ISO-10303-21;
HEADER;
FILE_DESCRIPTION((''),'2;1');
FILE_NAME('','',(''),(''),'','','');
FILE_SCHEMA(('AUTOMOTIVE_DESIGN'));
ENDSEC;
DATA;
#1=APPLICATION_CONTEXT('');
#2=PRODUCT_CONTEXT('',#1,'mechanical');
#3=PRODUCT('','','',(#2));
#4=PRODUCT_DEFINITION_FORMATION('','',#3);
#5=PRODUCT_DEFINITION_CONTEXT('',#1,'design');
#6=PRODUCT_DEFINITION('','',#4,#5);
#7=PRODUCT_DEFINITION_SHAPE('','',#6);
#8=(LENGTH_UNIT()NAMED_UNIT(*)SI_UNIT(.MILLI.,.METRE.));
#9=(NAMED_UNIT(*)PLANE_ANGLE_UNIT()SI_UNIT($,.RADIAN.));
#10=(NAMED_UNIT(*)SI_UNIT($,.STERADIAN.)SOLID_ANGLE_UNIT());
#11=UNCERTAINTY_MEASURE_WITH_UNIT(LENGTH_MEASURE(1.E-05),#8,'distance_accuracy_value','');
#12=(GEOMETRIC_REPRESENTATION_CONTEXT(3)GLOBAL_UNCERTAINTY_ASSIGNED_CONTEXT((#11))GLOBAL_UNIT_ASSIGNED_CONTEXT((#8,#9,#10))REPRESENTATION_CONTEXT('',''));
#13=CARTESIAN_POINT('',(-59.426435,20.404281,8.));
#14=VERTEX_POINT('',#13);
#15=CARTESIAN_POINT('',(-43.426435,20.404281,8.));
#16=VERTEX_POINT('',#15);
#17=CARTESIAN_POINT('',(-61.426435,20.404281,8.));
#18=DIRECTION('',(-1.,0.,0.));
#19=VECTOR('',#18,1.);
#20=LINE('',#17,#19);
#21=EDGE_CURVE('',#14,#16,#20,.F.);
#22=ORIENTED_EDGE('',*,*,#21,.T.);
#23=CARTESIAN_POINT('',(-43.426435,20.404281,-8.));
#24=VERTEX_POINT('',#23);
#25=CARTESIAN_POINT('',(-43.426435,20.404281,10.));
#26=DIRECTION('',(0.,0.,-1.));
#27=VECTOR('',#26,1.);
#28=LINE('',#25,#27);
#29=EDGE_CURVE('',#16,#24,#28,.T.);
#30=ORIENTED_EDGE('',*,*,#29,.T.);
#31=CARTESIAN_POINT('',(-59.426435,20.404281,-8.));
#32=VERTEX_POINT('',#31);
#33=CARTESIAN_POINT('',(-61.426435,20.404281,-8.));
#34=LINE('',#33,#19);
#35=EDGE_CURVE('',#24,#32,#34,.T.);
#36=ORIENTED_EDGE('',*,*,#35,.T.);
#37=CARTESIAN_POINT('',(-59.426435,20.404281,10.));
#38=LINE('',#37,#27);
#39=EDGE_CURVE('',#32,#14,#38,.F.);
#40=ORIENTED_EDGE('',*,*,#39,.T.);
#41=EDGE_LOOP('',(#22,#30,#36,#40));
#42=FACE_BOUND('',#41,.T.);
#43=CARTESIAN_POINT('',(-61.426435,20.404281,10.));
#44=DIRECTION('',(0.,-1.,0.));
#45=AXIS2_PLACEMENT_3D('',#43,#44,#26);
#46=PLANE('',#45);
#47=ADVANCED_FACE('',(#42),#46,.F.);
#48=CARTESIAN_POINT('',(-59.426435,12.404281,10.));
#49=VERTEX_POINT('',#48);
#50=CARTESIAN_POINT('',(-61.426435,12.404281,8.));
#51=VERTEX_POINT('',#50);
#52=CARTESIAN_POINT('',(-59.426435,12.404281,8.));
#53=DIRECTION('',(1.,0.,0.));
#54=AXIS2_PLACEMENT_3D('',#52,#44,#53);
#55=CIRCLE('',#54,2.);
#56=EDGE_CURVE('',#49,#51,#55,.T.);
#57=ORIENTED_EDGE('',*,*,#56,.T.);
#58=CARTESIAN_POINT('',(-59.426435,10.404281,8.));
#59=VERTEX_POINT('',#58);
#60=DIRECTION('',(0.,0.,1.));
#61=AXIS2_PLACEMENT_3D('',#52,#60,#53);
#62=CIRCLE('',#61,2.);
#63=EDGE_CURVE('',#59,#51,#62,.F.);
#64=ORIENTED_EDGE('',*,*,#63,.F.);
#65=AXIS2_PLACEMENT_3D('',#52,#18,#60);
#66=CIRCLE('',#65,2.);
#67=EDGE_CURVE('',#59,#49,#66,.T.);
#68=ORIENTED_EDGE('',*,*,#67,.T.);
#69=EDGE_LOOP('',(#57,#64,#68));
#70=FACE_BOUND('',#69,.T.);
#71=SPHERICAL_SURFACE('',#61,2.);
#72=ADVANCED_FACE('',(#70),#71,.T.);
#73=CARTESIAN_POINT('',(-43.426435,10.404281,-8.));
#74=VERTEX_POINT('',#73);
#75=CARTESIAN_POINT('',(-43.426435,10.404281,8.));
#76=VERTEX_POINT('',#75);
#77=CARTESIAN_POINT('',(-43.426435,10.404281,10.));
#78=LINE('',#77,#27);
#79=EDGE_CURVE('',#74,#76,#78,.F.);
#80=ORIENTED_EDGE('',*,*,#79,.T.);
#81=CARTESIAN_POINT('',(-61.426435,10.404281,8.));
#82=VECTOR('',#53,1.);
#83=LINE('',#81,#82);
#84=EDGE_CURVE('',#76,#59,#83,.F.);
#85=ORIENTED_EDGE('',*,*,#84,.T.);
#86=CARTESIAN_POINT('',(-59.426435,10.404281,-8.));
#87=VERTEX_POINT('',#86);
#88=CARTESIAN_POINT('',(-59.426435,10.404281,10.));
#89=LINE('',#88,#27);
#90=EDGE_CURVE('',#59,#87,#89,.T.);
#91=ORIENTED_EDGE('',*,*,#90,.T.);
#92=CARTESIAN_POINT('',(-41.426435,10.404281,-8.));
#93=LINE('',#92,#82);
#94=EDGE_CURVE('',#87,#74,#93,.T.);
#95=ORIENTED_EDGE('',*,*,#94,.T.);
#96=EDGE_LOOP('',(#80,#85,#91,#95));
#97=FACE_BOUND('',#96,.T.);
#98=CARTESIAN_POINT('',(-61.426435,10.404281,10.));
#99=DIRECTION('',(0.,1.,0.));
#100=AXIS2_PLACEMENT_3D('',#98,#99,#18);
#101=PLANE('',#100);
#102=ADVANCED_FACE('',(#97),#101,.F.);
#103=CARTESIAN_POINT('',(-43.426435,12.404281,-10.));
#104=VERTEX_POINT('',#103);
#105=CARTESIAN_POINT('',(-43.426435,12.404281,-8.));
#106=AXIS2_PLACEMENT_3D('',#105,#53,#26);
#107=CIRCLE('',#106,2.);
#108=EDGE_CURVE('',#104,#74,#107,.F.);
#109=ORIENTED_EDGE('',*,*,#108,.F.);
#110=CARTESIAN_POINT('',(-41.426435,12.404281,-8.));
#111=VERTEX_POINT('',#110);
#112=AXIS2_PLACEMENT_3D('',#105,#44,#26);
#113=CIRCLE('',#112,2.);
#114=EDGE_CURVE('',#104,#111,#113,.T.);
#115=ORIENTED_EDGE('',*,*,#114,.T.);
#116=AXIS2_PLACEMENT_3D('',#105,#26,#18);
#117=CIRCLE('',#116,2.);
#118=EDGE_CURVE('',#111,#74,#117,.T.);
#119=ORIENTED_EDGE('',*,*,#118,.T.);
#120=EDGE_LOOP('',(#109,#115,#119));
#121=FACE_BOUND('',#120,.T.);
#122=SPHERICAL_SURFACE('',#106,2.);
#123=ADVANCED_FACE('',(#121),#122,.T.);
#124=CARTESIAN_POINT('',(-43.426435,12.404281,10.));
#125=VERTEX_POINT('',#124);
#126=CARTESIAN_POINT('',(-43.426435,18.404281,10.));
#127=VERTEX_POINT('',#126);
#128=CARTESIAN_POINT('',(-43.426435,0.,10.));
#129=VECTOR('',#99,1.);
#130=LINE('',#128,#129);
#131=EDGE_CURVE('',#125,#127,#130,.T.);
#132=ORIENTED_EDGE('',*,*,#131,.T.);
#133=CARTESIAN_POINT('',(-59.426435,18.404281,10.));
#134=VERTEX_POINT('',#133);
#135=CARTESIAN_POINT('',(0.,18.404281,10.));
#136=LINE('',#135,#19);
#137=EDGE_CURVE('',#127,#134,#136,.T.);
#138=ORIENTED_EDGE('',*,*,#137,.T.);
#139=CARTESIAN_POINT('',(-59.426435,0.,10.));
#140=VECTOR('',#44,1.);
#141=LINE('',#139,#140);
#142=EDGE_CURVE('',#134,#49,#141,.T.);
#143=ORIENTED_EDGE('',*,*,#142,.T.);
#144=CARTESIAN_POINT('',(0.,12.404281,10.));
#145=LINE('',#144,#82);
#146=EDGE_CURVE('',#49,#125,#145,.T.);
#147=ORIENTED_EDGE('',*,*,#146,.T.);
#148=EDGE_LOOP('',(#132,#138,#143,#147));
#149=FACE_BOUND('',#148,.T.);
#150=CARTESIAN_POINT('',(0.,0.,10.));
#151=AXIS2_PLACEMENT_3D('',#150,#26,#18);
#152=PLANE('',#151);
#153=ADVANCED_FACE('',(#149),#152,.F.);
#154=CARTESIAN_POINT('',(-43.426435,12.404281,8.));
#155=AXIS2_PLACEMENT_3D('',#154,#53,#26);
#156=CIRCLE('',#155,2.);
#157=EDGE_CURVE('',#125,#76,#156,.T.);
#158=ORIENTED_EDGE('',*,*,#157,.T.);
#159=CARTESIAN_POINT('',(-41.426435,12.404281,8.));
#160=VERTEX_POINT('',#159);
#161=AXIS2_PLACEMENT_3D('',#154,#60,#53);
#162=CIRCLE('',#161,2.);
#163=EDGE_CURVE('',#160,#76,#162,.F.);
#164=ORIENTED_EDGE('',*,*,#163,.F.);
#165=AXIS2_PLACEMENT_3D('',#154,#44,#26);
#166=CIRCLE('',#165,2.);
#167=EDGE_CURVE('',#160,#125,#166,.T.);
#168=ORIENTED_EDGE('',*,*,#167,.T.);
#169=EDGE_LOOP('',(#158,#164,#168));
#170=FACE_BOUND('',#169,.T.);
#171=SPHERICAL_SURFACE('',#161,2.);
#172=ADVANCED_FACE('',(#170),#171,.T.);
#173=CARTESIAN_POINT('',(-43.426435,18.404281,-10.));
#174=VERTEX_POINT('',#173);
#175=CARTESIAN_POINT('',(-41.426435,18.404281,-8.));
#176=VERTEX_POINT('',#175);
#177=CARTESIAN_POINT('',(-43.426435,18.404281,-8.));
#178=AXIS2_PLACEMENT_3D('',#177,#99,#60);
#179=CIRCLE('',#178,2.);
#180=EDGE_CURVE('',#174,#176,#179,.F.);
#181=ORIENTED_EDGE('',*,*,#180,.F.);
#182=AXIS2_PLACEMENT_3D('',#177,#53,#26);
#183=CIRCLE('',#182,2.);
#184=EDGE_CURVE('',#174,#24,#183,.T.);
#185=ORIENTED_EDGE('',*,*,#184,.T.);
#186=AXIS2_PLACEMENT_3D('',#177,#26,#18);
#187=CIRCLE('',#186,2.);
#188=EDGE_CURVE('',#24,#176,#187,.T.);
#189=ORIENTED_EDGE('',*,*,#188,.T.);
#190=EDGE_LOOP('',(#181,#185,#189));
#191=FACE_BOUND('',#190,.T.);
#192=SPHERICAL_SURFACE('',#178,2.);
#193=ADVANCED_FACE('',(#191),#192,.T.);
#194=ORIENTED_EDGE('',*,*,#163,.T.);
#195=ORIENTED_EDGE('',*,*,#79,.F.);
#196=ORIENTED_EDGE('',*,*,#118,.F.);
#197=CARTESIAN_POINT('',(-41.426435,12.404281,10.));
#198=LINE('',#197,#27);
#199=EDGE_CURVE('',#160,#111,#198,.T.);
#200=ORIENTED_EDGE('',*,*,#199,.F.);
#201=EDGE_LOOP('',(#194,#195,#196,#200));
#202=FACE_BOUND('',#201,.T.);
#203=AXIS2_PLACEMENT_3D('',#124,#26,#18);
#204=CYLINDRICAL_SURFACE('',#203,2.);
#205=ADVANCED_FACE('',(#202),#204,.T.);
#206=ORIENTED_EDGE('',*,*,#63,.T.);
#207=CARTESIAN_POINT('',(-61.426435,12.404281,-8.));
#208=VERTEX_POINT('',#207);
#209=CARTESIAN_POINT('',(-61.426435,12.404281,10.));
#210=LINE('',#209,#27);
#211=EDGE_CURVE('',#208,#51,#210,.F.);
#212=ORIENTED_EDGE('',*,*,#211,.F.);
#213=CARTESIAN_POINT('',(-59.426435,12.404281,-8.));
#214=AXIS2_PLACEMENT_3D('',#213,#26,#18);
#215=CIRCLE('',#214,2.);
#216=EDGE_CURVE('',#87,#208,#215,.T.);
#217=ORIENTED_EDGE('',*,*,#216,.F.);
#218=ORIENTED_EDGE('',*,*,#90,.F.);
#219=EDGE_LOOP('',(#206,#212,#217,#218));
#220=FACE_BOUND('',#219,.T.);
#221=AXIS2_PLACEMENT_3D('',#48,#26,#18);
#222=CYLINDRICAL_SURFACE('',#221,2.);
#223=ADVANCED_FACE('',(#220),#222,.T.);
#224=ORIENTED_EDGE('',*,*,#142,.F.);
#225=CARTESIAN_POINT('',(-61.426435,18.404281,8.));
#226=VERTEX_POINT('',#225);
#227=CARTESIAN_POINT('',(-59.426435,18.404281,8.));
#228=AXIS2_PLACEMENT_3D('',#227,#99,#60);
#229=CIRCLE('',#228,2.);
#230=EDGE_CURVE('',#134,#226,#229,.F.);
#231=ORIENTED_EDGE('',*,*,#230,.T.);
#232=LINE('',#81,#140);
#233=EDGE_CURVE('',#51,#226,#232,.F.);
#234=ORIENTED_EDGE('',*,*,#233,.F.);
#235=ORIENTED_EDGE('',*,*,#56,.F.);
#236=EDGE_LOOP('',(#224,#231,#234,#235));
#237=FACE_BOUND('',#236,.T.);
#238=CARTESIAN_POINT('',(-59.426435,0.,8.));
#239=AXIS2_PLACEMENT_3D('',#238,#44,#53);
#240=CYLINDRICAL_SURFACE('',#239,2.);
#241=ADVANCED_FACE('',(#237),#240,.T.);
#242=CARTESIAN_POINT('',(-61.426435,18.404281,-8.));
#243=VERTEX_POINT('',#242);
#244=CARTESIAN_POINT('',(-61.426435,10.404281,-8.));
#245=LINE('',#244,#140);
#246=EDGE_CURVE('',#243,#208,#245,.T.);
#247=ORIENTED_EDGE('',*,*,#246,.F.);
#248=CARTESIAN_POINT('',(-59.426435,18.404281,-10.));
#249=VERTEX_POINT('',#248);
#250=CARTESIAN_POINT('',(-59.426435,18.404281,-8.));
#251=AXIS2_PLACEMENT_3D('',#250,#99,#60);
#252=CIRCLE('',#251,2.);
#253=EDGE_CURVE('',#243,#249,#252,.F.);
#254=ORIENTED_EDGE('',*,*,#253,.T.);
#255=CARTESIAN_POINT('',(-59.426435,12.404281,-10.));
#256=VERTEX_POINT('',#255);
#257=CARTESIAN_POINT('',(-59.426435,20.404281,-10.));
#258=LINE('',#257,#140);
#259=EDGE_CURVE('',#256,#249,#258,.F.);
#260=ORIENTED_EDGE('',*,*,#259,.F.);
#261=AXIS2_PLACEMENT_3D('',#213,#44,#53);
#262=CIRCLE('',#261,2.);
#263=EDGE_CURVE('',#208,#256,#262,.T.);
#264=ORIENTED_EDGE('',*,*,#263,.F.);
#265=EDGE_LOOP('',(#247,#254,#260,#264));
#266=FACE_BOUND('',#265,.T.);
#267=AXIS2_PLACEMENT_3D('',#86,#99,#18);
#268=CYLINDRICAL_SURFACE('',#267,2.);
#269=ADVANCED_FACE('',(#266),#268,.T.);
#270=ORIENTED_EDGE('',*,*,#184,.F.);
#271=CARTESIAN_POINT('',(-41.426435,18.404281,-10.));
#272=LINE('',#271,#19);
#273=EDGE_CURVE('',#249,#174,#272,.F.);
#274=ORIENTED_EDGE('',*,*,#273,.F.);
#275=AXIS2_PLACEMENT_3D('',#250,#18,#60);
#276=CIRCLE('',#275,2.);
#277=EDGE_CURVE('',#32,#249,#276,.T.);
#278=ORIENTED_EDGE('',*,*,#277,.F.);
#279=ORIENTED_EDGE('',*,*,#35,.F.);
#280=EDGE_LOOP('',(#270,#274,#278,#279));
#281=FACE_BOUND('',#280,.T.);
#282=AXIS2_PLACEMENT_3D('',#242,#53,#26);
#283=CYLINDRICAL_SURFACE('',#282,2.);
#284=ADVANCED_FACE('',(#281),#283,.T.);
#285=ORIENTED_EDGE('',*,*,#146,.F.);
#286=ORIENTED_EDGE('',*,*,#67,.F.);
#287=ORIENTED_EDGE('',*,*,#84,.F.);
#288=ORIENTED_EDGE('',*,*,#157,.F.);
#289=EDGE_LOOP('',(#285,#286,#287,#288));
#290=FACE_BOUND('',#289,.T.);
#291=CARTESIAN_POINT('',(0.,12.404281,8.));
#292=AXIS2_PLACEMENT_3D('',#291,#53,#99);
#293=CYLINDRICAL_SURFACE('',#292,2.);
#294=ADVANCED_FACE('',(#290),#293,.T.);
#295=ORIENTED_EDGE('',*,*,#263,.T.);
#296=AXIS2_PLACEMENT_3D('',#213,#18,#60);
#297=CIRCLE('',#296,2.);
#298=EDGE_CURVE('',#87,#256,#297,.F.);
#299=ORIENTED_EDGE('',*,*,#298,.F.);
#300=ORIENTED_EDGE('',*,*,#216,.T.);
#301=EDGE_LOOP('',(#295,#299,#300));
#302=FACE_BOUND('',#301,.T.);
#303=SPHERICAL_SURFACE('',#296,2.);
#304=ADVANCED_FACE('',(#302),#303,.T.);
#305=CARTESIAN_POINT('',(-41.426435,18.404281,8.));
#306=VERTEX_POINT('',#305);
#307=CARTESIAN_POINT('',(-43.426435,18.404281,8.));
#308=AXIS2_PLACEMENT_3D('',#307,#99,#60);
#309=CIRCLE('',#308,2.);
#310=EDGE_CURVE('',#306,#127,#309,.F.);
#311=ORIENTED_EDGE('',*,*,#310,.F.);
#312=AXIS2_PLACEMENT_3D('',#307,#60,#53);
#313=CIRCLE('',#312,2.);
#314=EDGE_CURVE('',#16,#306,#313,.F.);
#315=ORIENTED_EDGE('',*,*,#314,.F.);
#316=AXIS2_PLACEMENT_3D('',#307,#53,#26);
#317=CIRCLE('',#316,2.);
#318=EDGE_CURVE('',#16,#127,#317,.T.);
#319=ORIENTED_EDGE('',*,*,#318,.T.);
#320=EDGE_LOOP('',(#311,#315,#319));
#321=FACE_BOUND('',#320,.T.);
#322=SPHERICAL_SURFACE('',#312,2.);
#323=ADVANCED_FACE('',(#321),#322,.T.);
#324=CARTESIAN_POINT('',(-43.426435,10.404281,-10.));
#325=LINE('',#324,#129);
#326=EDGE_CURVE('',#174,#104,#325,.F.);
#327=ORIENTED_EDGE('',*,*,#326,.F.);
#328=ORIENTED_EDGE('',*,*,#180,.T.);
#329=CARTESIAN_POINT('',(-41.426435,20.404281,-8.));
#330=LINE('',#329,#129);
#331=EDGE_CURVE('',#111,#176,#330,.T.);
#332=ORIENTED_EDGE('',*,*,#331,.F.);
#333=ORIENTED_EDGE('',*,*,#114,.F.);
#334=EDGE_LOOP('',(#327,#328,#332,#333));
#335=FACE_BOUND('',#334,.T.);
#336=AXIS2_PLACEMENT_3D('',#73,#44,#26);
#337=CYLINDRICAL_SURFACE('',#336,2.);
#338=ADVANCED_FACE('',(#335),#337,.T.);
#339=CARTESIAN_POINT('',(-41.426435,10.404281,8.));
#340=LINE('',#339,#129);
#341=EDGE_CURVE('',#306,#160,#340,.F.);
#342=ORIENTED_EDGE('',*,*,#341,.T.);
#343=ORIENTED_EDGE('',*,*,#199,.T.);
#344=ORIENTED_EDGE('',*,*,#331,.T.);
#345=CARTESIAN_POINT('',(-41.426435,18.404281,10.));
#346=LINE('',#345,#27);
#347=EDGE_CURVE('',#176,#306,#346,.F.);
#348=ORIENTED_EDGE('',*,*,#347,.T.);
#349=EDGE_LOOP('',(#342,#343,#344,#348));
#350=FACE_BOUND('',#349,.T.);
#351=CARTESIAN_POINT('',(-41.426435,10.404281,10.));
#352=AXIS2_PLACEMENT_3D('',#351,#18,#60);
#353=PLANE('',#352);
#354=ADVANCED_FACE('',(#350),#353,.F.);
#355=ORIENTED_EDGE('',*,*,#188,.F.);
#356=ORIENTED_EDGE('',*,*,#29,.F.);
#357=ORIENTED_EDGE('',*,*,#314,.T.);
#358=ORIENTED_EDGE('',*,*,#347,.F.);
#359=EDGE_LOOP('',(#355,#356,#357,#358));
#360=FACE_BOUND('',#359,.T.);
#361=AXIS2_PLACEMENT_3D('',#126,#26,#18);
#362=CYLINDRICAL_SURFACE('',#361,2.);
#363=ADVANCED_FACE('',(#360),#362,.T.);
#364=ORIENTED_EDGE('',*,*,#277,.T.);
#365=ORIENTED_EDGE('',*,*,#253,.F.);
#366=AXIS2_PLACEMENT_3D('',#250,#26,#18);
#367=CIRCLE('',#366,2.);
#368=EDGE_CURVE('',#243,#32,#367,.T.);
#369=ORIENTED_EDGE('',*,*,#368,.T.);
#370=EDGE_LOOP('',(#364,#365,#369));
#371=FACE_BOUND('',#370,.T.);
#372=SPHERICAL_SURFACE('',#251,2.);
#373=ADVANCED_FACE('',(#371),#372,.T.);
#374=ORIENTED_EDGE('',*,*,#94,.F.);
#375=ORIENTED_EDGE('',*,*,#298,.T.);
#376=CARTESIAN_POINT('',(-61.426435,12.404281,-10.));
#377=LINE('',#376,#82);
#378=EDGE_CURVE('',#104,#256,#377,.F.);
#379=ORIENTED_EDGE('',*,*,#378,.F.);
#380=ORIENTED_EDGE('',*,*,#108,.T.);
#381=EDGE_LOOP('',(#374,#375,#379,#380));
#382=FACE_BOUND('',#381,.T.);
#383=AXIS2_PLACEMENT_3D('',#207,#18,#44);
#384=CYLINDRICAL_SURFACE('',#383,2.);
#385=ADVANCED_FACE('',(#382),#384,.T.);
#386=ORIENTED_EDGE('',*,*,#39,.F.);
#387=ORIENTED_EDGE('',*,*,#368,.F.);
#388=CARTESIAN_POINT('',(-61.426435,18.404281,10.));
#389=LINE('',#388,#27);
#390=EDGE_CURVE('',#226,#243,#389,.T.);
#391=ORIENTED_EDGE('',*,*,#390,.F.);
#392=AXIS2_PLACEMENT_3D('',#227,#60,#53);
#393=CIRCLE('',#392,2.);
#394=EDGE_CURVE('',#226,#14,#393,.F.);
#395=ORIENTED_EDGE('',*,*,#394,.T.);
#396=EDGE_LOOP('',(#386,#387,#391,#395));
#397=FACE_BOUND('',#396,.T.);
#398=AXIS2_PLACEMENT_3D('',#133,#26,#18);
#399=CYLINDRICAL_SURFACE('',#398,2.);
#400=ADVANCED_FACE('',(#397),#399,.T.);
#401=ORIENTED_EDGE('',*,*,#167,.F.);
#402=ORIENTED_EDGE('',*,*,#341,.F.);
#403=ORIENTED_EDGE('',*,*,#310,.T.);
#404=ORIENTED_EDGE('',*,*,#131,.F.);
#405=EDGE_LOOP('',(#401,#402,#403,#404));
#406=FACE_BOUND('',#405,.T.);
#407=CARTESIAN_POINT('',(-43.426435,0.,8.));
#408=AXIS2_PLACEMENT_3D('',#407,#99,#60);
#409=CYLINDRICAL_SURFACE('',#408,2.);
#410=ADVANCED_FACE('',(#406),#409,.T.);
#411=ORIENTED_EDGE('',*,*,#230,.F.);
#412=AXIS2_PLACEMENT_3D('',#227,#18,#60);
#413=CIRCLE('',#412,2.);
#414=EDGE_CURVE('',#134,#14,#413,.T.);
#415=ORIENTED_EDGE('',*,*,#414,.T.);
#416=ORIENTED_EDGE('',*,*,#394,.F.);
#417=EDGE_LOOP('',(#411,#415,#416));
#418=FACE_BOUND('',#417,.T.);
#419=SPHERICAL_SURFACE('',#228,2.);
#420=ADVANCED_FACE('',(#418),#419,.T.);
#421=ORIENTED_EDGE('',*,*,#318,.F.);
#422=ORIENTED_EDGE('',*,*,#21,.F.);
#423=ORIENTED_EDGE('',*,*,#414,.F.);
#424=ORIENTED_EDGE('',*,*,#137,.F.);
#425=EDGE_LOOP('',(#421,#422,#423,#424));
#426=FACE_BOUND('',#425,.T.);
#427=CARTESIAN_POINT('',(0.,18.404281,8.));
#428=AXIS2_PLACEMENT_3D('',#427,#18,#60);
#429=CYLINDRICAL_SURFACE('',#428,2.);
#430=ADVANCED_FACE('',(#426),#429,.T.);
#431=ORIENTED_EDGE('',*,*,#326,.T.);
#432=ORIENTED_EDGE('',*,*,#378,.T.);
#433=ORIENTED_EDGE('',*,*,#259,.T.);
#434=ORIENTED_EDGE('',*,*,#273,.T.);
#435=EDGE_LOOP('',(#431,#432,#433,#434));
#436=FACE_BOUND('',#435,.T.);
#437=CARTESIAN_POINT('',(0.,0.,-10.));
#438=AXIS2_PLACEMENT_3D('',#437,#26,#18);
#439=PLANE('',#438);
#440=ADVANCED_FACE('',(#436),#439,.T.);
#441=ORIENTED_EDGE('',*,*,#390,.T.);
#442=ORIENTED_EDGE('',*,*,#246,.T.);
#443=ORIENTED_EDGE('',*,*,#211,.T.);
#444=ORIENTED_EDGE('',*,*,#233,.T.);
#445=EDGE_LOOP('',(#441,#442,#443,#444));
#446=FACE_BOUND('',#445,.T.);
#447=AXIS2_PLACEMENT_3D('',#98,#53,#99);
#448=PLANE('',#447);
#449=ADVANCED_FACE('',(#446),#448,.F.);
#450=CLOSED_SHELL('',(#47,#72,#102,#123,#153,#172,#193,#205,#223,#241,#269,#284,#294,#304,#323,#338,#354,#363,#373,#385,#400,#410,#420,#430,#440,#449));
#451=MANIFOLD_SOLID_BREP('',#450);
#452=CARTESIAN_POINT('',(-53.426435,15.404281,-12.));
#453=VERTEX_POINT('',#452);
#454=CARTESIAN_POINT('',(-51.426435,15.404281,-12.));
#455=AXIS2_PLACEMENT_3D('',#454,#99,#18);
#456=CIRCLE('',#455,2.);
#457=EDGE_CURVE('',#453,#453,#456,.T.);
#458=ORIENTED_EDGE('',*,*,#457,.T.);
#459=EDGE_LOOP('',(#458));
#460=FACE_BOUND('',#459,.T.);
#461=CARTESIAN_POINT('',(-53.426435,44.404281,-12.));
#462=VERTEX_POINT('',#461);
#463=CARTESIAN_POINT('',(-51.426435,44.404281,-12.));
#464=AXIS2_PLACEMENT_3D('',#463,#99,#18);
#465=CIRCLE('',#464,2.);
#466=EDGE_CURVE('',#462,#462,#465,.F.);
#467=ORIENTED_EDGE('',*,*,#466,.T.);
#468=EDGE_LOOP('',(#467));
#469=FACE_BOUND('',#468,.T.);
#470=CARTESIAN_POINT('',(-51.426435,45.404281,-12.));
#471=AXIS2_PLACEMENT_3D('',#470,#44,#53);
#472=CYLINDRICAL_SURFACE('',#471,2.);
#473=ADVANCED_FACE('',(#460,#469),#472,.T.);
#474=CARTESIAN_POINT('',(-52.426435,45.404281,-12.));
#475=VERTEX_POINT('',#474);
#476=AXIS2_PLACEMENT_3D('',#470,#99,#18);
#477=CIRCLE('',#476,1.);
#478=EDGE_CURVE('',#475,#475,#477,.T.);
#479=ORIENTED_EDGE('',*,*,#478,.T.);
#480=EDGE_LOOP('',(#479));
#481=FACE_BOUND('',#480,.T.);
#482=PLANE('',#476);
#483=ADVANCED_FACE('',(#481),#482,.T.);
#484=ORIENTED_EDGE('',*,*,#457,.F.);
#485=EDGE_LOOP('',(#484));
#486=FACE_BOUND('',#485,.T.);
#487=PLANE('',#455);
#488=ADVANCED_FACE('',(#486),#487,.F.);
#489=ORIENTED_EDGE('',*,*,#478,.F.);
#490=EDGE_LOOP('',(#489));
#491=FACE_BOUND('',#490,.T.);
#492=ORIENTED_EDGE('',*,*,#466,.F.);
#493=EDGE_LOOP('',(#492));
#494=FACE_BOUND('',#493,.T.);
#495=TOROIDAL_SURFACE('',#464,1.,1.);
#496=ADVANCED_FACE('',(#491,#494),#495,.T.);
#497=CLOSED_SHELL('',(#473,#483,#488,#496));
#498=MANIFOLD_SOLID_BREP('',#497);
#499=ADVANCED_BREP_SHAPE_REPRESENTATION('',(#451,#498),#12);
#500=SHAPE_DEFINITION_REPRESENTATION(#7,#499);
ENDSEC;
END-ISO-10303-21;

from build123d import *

# Parameters (mm, degrees)
SKETCH2_W           = 20
SKETCH2_H           = 10
BOSS_EXTRUDE1_DEPTH = 10
FILLET1_R           = 2
BOSS_EXTRUDE2_START = 10
SKETCH4_R           = 2
BOSS_EXTRUDE2_DEPTH = 15
FILLET2_R           = 1


with BuildPart() as part:
    # Sketch2 → Boss-Extrude1 (new, symmetric)
    with BuildSketch(Plane.XY):
        with Locations((-51.426434777, 15.404281135)):
            Rectangle(SKETCH2_W, SKETCH2_H)
    extrude(amount=BOSS_EXTRUDE1_DEPTH, both=True)

    # Fillet1
    fillet1_edges = [part.edges().sort_by_distance(p)[0] for p in [
        (-61.426434777, 15.404281135, 10),
        (-51.426434777, 10.404281135, 10),
        (-41.426434777, 15.404281135, 10),
        (-51.426434777, 10.404281135, -10),
        (-61.426434777, 15.404281135, -10),
        (-51.426434777, 20.404281135, -10),
        (-41.426434777, 15.404281135, -10),
        (-41.426434777, 10.404281135, 0),
        (-61.426434777, 10.404281135, 0),
        (-61.426434777, 20.404281135, 0),
        (-41.426434777, 20.404281135, 0),
        (-51.426434777, 20.404281135, 10),
    ]]
    fillet(fillet1_edges, radius=FILLET1_R)


with BuildPart() as body_2:
    # Sketch4 → Boss-Extrude2 (new, symmetric)
    with BuildSketch(Plane(origin=(0, 20.404281135, 0), x_dir=(1, 0, 0), z_dir=(0, 1, 0)).offset(BOSS_EXTRUDE2_START)):
        with Locations(Location((-51.426434777, 12, 0), (0, 0, 180))):
            Circle(SKETCH4_R)
    extrude(amount=BOSS_EXTRUDE2_DEPTH, both=True)

    # Fillet2
    fillet2_edges = [body_2.edges().sort_by_distance(p)[0] for p in [
        (-49.426434777, 45.404281135, -12),
    ]]
    fillet(fillet2_edges, radius=FILLET2_R)


solid = Compound([part.part, body_2.part])
